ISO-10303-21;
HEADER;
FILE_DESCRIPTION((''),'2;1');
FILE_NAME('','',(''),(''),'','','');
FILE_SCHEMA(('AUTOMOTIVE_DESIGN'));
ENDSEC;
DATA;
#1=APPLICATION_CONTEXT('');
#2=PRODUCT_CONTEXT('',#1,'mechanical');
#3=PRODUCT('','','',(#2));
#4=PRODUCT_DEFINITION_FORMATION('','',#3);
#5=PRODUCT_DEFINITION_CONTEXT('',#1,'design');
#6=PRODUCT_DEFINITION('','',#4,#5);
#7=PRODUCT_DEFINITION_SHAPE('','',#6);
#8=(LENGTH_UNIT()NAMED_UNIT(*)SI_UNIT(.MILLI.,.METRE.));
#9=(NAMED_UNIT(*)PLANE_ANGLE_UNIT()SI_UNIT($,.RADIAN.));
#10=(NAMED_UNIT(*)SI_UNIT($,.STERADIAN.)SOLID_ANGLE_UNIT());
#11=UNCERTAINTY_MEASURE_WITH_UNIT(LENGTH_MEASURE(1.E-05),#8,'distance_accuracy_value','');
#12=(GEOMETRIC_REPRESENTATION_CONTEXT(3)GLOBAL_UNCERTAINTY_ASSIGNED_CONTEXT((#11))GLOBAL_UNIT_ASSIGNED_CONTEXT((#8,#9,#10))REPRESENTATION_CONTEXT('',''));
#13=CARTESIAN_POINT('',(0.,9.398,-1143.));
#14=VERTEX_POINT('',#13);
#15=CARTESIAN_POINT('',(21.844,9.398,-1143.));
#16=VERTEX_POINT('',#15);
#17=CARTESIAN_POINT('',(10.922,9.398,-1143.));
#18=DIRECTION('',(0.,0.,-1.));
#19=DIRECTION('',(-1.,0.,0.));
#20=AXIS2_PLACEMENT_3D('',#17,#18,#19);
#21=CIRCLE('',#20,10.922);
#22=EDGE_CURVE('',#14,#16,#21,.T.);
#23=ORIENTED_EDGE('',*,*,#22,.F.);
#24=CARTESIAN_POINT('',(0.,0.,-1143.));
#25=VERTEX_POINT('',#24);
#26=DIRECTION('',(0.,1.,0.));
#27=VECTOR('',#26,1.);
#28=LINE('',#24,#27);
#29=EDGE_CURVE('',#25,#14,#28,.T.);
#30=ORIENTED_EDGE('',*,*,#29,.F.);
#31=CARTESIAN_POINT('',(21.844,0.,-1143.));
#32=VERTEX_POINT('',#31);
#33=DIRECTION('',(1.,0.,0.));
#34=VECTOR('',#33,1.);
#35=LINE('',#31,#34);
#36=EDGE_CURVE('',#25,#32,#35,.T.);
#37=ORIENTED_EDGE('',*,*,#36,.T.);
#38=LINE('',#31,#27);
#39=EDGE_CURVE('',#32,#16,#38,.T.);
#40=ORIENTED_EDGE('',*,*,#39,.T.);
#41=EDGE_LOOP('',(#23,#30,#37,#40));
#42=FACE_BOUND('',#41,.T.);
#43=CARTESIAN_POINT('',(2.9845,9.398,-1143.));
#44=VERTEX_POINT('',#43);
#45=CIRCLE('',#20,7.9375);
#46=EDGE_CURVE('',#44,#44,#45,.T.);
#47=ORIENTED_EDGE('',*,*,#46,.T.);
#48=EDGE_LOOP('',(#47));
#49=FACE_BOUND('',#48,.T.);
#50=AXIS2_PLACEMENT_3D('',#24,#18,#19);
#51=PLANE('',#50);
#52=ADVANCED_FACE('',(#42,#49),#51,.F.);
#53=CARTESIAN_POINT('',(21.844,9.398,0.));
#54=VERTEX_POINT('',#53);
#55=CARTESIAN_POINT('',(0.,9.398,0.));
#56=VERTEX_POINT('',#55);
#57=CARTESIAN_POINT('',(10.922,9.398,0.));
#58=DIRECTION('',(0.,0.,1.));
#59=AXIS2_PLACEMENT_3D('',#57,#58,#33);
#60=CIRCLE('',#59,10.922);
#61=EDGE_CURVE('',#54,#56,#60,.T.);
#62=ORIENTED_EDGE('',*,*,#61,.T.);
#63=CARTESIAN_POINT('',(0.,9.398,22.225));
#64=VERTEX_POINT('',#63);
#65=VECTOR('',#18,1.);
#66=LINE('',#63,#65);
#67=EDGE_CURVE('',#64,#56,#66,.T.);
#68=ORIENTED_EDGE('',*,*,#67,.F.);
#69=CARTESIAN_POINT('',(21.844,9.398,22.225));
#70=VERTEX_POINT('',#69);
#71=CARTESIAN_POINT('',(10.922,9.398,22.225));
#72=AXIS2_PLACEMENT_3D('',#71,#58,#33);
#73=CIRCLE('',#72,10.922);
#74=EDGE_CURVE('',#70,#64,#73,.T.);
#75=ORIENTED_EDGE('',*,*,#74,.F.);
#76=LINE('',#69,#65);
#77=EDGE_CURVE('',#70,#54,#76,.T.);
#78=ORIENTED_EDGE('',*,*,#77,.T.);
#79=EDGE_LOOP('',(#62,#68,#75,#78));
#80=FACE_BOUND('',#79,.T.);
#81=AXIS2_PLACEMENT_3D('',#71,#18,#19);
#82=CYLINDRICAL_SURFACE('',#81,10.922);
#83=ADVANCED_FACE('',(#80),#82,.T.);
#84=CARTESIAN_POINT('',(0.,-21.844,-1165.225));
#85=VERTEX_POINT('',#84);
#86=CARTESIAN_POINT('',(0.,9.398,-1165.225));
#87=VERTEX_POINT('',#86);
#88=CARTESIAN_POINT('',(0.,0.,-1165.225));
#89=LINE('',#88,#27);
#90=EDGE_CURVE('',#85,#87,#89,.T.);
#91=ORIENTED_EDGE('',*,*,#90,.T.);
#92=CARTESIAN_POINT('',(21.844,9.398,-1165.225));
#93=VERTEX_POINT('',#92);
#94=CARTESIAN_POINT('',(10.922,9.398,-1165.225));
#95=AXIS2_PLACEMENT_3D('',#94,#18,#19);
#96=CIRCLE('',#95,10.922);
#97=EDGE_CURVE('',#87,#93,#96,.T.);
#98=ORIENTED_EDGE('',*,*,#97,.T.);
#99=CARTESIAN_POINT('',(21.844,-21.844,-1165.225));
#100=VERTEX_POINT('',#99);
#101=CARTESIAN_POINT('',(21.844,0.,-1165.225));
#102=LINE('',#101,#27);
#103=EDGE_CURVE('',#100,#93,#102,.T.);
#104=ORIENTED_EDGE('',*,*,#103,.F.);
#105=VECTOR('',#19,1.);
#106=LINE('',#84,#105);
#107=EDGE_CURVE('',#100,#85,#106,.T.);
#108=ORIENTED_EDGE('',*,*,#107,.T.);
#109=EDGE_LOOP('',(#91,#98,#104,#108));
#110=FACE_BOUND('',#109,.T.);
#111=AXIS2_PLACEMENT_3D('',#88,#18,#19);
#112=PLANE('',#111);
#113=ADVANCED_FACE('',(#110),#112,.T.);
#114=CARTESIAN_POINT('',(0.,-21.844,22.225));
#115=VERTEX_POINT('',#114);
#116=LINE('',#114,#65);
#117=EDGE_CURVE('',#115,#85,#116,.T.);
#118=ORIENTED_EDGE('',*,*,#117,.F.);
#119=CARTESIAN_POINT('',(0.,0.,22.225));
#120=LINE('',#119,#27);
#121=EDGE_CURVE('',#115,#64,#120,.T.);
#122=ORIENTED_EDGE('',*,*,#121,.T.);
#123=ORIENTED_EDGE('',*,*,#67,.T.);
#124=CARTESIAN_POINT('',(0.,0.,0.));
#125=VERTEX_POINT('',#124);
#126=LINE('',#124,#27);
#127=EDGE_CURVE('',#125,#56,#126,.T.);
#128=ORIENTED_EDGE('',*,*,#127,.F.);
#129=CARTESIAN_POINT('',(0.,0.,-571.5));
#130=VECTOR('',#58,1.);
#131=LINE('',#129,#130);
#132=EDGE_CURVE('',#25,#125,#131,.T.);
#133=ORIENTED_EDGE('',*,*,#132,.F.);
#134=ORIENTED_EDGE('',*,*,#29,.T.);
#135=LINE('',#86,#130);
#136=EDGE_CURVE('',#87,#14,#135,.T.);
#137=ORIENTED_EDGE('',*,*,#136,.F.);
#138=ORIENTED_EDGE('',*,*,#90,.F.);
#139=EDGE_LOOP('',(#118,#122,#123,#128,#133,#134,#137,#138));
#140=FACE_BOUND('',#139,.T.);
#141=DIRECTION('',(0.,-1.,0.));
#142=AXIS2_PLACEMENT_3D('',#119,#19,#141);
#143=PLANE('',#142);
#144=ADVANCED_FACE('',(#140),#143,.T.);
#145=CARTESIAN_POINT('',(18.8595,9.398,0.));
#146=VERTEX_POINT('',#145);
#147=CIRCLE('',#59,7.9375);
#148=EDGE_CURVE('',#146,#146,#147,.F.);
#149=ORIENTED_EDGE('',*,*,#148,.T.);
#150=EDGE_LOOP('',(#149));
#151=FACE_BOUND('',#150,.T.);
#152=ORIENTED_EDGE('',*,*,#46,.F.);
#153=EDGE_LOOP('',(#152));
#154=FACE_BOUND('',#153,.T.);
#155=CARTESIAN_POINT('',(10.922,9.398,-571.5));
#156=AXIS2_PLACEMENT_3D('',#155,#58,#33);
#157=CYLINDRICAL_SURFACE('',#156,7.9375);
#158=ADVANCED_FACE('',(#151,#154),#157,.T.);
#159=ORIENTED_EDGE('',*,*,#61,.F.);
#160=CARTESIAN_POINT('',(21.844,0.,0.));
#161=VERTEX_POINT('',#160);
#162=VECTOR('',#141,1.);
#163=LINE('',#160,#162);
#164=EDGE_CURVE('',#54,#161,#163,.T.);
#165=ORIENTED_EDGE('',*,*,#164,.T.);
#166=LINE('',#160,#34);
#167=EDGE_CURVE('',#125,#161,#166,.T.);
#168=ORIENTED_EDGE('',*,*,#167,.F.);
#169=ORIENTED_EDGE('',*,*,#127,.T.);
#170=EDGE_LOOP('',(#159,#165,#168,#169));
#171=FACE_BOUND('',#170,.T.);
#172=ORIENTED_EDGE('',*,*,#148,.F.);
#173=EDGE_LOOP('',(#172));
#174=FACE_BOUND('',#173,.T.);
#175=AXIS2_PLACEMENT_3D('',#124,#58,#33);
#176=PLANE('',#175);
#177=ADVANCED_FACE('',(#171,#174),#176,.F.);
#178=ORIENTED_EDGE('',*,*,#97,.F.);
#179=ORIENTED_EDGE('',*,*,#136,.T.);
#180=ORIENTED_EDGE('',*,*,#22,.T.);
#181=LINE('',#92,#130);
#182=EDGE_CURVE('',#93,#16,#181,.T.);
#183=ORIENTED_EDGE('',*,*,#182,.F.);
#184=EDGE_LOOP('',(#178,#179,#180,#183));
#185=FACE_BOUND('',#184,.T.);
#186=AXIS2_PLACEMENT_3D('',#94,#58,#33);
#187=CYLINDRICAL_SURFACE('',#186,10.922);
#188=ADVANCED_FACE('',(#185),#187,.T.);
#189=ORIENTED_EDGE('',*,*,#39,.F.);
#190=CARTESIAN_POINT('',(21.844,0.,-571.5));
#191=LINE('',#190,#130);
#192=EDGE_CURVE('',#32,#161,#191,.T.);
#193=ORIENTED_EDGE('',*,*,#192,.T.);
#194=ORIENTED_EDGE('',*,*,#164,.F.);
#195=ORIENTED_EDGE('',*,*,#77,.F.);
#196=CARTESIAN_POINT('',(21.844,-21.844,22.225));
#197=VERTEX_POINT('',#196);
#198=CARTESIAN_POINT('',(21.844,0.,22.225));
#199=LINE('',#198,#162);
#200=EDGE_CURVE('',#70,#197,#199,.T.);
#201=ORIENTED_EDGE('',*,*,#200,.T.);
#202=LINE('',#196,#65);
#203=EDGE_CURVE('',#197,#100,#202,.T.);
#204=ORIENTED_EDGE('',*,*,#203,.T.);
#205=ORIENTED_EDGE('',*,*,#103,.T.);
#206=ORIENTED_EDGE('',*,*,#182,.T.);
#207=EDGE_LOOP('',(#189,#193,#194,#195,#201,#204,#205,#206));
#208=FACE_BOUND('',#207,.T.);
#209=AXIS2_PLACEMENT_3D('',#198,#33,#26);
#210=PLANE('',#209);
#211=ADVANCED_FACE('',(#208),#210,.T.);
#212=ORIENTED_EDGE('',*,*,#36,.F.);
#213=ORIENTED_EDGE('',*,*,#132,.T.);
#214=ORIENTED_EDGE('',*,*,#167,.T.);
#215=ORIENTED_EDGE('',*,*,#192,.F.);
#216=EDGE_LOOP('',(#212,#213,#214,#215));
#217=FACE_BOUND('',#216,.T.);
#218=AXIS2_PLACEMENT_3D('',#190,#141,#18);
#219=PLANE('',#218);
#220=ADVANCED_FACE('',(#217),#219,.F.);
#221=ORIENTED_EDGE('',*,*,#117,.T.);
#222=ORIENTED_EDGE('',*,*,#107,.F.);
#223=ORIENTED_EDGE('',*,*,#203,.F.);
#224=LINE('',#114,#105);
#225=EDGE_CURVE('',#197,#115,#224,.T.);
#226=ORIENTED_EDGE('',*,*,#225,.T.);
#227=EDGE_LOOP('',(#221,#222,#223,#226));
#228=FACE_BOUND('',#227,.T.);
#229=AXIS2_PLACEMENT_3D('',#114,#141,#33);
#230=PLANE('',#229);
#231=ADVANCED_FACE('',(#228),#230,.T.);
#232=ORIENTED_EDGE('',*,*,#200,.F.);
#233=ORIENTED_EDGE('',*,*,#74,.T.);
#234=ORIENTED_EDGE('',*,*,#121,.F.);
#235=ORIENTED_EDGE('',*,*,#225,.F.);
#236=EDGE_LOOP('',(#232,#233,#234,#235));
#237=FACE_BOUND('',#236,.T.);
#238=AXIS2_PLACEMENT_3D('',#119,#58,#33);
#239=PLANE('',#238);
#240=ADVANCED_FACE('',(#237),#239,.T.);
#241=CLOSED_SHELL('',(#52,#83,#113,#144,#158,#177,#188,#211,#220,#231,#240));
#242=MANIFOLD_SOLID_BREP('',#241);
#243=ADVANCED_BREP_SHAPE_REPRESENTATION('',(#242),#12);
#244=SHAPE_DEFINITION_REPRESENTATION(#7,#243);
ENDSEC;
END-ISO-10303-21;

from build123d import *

# Parameters (mm, degrees)
SKETCH1_R           = 10.922
SKETCH1_W           = 21.844
SKETCH1_H           = 21.844
BOSS_EXTRUDE1_DEPTH = 22.225
SKETCH2_R           = 7.9375
SKETCH2_W           = 21.844
SKETCH2_H           = 21.844
BOSS_EXTRUDE2_DEPTH = 571.5
BOSS_EXTRUDE3_START = 22.225
SKETCH3_R           = 10.922
SKETCH3_R_2         = 7.9375
BOSS_EXTRUDE3_DEPTH = 22.225


with BuildPart() as part:
    # Sketch1 → Boss-Extrude1 (new body)
    with BuildSketch(Plane.XY):
        with BuildLine():
            Line((0, 9.398), (0, 0))
            Line((0, 0), (5.357138816, 0))
            ThreePointArc((5.357138816, 0), (1.433335767, 3.989179882), (0, 9.398))
        make_face()
        with BuildLine():
            ThreePointArc((0, 9.398), (1.433335767, 3.989179882), (5.357138816, 0))
            Line((5.357138816, 0), (10.922, 0))
            Line((10.922, 0), (10.922, 9.398))
            Line((10.922, 9.398), (10.922, 20.32))
            ThreePointArc((10.922, 20.32), (3.198979736, 17.121020264), (0, 9.398))
        make_face()
        with BuildLine():
            Line((10.922, 9.398), (10.922, 0))
            Line((10.922, 0), (16.486861184, 0))
            ThreePointArc((16.486861184, 0), (20.410664233, 3.989179882), (21.844, 9.398))
            ThreePointArc((21.844, 9.398), (18.645020264, 17.121020264), (10.922, 20.32))
            Line((10.922, 20.32), (10.922, 9.398))
        make_face()
        with BuildLine():
            ThreePointArc((21.844, 9.398), (20.410664233, 3.989179882), (16.486861184, 0))
            Line((16.486861184, 0), (21.844, 0))
            Line((21.844, 0), (21.844, 9.398))
        make_face()
        with BuildLine():
            Line((10.922, 0), (5.357138816, 0))
            ThreePointArc((5.357138816, 0), (10.922, -1.524), (16.486861184, 0))
            Line((16.486861184, 0), (10.922, 0))
        make_face()
        with Locations((10.922, 9.398)):
            Circle(SKETCH1_R)
        with Locations((10.922, -10.922)):
            Rectangle(SKETCH1_W, SKETCH1_H)
    extrude(amount=BOSS_EXTRUDE1_DEPTH)

    # Sketch2 → Boss-Extrude2 (add)
    with BuildSketch(Plane(origin=(0, 0, 0), x_dir=(-1, 0, 0), z_dir=(0, 0, -1))):
        with Locations(Location((-10.922, 9.398, 0), (0, 0, 180))):
            Circle(SKETCH2_R)
        with Locations((-10.922, -10.922)):
            Rectangle(SKETCH2_W, SKETCH2_H)
    boss_extrude2 = extrude(amount=BOSS_EXTRUDE2_DEPTH)

    # Mirror1: Boss-Extrude2 across plane
    add(boss_extrude2.mirror(Plane.XY.offset(-571.5)))

    # Sketch3 → Boss-Extrude3 (add)
    # profile 1 of 3: a face of its own
    with BuildSketch(Plane(origin=(0, 0, -1143), x_dir=(-1, 0, 0), z_dir=(0, 0, -1)).offset(BOSS_EXTRUDE3_START)):
        with BuildLine():
            Line((-21.844, -21.844), (0, -21.844))
            Line((0, -21.844), (0, 9.398))
            ThreePointArc((0, 9.398), (-10.922, -1.524), (-21.844, 9.398))
            Line((-21.844, 9.398), (-21.844, -21.844))
        make_face()
    # profile 2 of 3: a face of its own
    with BuildSketch(Plane(origin=(0, 0, -1143), x_dir=(-1, 0, 0), z_dir=(0, 0, -1)).offset(BOSS_EXTRUDE3_START)):
        with Locations((-10.922, 9.398)):
            Circle(SKETCH3_R)
        with Locations(Location((-10.922, 9.398, 0), (0, 0, 180))):
            Circle(SKETCH3_R_2, mode=Mode.SUBTRACT)
    # profile 3 of 3: a face of its own
    with BuildSketch(Plane(origin=(0, 0, -1143), x_dir=(-1, 0, 0), z_dir=(0, 0, -1)).offset(BOSS_EXTRUDE3_START)):
        with Locations(Location((-10.922, 9.398, 0), (0, 0, 180))):
            Circle(SKETCH3_R_2)
    extrude(amount=-BOSS_EXTRUDE3_DEPTH)


solid = part.part
